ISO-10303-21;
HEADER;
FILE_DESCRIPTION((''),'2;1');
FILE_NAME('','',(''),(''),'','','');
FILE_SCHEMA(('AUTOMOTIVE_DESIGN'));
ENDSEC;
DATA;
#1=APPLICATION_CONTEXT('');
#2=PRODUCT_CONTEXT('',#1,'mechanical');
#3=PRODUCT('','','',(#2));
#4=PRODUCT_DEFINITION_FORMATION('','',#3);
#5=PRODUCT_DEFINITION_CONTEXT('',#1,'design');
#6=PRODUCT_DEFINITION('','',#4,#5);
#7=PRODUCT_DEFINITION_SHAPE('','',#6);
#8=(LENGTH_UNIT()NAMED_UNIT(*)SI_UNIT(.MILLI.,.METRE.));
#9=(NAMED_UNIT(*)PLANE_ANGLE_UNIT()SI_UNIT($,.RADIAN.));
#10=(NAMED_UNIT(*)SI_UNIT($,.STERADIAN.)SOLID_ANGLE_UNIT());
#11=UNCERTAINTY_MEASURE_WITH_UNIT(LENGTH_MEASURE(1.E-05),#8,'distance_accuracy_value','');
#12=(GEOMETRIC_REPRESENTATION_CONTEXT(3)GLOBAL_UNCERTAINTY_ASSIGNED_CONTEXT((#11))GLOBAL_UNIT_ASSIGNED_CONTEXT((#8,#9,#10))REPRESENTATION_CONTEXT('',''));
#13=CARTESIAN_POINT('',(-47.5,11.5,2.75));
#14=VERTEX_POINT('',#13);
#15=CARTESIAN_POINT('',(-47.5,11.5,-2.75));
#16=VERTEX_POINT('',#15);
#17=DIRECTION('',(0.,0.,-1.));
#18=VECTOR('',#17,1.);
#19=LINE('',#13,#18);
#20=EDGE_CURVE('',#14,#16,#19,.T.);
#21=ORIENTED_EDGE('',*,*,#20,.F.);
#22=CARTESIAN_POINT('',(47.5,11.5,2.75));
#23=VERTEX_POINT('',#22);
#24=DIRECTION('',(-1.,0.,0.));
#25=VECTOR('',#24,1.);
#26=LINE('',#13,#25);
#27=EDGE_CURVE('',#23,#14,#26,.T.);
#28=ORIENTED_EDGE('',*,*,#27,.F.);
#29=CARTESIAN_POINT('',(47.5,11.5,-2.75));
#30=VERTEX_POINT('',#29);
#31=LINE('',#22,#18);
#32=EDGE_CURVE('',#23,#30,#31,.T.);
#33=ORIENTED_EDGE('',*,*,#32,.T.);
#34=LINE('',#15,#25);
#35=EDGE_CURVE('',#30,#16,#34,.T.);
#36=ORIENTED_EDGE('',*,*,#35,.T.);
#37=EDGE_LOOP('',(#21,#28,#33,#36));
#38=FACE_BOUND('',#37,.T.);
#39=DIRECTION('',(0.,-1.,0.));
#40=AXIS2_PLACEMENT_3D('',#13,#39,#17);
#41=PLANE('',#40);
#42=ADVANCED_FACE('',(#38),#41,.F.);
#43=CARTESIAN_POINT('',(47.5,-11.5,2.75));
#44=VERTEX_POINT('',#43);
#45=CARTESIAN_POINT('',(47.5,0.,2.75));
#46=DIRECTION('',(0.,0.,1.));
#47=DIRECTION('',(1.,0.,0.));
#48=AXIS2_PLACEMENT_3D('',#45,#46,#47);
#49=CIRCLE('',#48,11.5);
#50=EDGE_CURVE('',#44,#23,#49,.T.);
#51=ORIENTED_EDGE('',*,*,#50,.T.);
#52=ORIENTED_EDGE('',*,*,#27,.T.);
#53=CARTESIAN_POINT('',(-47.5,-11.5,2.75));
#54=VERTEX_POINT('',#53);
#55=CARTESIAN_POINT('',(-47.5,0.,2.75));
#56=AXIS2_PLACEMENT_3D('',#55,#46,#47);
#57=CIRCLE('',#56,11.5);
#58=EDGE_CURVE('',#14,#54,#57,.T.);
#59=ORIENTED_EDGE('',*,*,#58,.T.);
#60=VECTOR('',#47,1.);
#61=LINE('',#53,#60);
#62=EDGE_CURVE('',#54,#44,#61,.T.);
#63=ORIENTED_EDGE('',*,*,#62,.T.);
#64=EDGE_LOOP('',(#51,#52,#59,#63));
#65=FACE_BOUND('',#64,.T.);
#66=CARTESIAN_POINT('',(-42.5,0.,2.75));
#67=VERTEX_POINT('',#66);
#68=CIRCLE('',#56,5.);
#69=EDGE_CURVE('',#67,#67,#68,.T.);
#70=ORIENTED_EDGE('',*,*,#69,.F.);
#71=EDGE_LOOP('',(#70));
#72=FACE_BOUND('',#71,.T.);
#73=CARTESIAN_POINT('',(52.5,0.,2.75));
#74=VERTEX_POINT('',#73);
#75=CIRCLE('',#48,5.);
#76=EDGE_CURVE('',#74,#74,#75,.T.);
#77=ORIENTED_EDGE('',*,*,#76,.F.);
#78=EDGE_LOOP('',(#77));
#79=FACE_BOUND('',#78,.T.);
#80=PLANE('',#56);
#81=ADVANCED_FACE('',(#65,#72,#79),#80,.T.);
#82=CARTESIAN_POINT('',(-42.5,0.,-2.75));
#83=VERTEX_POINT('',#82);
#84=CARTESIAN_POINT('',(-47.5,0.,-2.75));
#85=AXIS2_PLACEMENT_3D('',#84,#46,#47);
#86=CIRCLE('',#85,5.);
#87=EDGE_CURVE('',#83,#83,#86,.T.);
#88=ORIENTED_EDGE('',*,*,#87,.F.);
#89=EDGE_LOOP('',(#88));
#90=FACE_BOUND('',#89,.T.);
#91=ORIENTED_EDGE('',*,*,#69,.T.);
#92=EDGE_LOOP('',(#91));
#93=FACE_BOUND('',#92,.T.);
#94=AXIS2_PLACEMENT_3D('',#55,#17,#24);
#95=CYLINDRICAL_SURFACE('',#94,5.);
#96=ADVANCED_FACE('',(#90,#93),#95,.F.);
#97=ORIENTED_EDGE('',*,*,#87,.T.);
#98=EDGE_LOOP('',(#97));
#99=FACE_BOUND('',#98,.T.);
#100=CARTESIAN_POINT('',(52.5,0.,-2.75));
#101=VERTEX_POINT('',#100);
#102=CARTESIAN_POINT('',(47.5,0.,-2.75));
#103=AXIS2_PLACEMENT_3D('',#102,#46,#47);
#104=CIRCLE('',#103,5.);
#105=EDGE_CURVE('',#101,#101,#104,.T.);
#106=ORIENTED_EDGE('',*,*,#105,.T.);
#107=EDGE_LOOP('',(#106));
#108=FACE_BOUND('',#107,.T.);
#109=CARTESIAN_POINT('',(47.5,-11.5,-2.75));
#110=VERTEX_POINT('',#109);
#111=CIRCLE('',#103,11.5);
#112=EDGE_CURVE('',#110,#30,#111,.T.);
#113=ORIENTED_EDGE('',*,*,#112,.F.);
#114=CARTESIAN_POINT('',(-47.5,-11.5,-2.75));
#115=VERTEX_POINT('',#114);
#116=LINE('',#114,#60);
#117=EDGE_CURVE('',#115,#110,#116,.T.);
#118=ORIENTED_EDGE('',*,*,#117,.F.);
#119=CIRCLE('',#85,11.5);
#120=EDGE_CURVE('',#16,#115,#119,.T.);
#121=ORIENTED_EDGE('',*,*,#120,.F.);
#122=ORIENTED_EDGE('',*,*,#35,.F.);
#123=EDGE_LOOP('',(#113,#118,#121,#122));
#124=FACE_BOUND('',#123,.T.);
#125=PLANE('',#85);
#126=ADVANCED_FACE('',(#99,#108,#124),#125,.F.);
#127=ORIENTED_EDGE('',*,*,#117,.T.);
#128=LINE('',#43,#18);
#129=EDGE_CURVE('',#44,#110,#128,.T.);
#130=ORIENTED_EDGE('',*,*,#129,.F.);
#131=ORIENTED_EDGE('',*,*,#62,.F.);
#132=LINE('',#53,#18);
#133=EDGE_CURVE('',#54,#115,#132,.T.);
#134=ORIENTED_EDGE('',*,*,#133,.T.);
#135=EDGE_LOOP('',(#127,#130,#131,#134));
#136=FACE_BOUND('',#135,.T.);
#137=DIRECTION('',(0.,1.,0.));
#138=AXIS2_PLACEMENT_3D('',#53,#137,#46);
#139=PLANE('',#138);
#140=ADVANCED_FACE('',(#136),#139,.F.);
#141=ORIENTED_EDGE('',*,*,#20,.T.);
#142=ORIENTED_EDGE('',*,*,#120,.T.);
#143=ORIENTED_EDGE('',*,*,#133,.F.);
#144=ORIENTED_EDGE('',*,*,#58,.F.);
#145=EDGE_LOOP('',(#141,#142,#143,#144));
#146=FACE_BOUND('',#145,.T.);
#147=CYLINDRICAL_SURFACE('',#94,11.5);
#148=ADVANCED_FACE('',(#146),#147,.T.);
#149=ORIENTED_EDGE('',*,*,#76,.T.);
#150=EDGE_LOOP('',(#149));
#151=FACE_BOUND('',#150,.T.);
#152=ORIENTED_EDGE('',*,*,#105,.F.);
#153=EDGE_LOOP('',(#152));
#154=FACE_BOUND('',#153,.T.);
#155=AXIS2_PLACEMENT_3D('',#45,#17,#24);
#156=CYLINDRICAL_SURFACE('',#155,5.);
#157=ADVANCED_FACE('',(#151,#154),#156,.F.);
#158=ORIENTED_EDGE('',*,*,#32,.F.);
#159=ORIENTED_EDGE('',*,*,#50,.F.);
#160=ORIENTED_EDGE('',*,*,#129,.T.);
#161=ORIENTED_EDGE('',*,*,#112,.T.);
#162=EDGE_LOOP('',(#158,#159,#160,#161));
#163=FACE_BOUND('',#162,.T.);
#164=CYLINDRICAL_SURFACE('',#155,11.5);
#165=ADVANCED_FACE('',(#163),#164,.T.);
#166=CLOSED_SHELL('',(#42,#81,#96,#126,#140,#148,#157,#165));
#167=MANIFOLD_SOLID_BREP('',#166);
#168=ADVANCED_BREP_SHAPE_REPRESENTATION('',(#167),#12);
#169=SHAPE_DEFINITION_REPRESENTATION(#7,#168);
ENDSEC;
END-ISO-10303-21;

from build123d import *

# Parameters (mm, degrees)
SKETCH1_R     = 5
LINK_AB_DEPTH = 2.75


with BuildPart() as part:
    # Sketch1 → link_AB (new body, symmetric)
    with BuildSketch(Plane.XY):
        with BuildLine():
            Line((-47.5, 11.5), (47.5, 11.5))
            ThreePointArc((47.5, 11.5), (59, 0), (47.5, -11.5))
            Line((47.5, -11.5), (-47.5, -11.5))
            ThreePointArc((-47.5, -11.5), (-59, 0), (-47.5, 11.5))
        make_face()
        with Locations((-47.5, 0)):
            Circle(SKETCH1_R, mode=Mode.SUBTRACT)
        with Locations((47.5, 0)):
            Circle(SKETCH1_R, mode=Mode.SUBTRACT)
    extrude(amount=LINK_AB_DEPTH, both=True)


solid = part.part
